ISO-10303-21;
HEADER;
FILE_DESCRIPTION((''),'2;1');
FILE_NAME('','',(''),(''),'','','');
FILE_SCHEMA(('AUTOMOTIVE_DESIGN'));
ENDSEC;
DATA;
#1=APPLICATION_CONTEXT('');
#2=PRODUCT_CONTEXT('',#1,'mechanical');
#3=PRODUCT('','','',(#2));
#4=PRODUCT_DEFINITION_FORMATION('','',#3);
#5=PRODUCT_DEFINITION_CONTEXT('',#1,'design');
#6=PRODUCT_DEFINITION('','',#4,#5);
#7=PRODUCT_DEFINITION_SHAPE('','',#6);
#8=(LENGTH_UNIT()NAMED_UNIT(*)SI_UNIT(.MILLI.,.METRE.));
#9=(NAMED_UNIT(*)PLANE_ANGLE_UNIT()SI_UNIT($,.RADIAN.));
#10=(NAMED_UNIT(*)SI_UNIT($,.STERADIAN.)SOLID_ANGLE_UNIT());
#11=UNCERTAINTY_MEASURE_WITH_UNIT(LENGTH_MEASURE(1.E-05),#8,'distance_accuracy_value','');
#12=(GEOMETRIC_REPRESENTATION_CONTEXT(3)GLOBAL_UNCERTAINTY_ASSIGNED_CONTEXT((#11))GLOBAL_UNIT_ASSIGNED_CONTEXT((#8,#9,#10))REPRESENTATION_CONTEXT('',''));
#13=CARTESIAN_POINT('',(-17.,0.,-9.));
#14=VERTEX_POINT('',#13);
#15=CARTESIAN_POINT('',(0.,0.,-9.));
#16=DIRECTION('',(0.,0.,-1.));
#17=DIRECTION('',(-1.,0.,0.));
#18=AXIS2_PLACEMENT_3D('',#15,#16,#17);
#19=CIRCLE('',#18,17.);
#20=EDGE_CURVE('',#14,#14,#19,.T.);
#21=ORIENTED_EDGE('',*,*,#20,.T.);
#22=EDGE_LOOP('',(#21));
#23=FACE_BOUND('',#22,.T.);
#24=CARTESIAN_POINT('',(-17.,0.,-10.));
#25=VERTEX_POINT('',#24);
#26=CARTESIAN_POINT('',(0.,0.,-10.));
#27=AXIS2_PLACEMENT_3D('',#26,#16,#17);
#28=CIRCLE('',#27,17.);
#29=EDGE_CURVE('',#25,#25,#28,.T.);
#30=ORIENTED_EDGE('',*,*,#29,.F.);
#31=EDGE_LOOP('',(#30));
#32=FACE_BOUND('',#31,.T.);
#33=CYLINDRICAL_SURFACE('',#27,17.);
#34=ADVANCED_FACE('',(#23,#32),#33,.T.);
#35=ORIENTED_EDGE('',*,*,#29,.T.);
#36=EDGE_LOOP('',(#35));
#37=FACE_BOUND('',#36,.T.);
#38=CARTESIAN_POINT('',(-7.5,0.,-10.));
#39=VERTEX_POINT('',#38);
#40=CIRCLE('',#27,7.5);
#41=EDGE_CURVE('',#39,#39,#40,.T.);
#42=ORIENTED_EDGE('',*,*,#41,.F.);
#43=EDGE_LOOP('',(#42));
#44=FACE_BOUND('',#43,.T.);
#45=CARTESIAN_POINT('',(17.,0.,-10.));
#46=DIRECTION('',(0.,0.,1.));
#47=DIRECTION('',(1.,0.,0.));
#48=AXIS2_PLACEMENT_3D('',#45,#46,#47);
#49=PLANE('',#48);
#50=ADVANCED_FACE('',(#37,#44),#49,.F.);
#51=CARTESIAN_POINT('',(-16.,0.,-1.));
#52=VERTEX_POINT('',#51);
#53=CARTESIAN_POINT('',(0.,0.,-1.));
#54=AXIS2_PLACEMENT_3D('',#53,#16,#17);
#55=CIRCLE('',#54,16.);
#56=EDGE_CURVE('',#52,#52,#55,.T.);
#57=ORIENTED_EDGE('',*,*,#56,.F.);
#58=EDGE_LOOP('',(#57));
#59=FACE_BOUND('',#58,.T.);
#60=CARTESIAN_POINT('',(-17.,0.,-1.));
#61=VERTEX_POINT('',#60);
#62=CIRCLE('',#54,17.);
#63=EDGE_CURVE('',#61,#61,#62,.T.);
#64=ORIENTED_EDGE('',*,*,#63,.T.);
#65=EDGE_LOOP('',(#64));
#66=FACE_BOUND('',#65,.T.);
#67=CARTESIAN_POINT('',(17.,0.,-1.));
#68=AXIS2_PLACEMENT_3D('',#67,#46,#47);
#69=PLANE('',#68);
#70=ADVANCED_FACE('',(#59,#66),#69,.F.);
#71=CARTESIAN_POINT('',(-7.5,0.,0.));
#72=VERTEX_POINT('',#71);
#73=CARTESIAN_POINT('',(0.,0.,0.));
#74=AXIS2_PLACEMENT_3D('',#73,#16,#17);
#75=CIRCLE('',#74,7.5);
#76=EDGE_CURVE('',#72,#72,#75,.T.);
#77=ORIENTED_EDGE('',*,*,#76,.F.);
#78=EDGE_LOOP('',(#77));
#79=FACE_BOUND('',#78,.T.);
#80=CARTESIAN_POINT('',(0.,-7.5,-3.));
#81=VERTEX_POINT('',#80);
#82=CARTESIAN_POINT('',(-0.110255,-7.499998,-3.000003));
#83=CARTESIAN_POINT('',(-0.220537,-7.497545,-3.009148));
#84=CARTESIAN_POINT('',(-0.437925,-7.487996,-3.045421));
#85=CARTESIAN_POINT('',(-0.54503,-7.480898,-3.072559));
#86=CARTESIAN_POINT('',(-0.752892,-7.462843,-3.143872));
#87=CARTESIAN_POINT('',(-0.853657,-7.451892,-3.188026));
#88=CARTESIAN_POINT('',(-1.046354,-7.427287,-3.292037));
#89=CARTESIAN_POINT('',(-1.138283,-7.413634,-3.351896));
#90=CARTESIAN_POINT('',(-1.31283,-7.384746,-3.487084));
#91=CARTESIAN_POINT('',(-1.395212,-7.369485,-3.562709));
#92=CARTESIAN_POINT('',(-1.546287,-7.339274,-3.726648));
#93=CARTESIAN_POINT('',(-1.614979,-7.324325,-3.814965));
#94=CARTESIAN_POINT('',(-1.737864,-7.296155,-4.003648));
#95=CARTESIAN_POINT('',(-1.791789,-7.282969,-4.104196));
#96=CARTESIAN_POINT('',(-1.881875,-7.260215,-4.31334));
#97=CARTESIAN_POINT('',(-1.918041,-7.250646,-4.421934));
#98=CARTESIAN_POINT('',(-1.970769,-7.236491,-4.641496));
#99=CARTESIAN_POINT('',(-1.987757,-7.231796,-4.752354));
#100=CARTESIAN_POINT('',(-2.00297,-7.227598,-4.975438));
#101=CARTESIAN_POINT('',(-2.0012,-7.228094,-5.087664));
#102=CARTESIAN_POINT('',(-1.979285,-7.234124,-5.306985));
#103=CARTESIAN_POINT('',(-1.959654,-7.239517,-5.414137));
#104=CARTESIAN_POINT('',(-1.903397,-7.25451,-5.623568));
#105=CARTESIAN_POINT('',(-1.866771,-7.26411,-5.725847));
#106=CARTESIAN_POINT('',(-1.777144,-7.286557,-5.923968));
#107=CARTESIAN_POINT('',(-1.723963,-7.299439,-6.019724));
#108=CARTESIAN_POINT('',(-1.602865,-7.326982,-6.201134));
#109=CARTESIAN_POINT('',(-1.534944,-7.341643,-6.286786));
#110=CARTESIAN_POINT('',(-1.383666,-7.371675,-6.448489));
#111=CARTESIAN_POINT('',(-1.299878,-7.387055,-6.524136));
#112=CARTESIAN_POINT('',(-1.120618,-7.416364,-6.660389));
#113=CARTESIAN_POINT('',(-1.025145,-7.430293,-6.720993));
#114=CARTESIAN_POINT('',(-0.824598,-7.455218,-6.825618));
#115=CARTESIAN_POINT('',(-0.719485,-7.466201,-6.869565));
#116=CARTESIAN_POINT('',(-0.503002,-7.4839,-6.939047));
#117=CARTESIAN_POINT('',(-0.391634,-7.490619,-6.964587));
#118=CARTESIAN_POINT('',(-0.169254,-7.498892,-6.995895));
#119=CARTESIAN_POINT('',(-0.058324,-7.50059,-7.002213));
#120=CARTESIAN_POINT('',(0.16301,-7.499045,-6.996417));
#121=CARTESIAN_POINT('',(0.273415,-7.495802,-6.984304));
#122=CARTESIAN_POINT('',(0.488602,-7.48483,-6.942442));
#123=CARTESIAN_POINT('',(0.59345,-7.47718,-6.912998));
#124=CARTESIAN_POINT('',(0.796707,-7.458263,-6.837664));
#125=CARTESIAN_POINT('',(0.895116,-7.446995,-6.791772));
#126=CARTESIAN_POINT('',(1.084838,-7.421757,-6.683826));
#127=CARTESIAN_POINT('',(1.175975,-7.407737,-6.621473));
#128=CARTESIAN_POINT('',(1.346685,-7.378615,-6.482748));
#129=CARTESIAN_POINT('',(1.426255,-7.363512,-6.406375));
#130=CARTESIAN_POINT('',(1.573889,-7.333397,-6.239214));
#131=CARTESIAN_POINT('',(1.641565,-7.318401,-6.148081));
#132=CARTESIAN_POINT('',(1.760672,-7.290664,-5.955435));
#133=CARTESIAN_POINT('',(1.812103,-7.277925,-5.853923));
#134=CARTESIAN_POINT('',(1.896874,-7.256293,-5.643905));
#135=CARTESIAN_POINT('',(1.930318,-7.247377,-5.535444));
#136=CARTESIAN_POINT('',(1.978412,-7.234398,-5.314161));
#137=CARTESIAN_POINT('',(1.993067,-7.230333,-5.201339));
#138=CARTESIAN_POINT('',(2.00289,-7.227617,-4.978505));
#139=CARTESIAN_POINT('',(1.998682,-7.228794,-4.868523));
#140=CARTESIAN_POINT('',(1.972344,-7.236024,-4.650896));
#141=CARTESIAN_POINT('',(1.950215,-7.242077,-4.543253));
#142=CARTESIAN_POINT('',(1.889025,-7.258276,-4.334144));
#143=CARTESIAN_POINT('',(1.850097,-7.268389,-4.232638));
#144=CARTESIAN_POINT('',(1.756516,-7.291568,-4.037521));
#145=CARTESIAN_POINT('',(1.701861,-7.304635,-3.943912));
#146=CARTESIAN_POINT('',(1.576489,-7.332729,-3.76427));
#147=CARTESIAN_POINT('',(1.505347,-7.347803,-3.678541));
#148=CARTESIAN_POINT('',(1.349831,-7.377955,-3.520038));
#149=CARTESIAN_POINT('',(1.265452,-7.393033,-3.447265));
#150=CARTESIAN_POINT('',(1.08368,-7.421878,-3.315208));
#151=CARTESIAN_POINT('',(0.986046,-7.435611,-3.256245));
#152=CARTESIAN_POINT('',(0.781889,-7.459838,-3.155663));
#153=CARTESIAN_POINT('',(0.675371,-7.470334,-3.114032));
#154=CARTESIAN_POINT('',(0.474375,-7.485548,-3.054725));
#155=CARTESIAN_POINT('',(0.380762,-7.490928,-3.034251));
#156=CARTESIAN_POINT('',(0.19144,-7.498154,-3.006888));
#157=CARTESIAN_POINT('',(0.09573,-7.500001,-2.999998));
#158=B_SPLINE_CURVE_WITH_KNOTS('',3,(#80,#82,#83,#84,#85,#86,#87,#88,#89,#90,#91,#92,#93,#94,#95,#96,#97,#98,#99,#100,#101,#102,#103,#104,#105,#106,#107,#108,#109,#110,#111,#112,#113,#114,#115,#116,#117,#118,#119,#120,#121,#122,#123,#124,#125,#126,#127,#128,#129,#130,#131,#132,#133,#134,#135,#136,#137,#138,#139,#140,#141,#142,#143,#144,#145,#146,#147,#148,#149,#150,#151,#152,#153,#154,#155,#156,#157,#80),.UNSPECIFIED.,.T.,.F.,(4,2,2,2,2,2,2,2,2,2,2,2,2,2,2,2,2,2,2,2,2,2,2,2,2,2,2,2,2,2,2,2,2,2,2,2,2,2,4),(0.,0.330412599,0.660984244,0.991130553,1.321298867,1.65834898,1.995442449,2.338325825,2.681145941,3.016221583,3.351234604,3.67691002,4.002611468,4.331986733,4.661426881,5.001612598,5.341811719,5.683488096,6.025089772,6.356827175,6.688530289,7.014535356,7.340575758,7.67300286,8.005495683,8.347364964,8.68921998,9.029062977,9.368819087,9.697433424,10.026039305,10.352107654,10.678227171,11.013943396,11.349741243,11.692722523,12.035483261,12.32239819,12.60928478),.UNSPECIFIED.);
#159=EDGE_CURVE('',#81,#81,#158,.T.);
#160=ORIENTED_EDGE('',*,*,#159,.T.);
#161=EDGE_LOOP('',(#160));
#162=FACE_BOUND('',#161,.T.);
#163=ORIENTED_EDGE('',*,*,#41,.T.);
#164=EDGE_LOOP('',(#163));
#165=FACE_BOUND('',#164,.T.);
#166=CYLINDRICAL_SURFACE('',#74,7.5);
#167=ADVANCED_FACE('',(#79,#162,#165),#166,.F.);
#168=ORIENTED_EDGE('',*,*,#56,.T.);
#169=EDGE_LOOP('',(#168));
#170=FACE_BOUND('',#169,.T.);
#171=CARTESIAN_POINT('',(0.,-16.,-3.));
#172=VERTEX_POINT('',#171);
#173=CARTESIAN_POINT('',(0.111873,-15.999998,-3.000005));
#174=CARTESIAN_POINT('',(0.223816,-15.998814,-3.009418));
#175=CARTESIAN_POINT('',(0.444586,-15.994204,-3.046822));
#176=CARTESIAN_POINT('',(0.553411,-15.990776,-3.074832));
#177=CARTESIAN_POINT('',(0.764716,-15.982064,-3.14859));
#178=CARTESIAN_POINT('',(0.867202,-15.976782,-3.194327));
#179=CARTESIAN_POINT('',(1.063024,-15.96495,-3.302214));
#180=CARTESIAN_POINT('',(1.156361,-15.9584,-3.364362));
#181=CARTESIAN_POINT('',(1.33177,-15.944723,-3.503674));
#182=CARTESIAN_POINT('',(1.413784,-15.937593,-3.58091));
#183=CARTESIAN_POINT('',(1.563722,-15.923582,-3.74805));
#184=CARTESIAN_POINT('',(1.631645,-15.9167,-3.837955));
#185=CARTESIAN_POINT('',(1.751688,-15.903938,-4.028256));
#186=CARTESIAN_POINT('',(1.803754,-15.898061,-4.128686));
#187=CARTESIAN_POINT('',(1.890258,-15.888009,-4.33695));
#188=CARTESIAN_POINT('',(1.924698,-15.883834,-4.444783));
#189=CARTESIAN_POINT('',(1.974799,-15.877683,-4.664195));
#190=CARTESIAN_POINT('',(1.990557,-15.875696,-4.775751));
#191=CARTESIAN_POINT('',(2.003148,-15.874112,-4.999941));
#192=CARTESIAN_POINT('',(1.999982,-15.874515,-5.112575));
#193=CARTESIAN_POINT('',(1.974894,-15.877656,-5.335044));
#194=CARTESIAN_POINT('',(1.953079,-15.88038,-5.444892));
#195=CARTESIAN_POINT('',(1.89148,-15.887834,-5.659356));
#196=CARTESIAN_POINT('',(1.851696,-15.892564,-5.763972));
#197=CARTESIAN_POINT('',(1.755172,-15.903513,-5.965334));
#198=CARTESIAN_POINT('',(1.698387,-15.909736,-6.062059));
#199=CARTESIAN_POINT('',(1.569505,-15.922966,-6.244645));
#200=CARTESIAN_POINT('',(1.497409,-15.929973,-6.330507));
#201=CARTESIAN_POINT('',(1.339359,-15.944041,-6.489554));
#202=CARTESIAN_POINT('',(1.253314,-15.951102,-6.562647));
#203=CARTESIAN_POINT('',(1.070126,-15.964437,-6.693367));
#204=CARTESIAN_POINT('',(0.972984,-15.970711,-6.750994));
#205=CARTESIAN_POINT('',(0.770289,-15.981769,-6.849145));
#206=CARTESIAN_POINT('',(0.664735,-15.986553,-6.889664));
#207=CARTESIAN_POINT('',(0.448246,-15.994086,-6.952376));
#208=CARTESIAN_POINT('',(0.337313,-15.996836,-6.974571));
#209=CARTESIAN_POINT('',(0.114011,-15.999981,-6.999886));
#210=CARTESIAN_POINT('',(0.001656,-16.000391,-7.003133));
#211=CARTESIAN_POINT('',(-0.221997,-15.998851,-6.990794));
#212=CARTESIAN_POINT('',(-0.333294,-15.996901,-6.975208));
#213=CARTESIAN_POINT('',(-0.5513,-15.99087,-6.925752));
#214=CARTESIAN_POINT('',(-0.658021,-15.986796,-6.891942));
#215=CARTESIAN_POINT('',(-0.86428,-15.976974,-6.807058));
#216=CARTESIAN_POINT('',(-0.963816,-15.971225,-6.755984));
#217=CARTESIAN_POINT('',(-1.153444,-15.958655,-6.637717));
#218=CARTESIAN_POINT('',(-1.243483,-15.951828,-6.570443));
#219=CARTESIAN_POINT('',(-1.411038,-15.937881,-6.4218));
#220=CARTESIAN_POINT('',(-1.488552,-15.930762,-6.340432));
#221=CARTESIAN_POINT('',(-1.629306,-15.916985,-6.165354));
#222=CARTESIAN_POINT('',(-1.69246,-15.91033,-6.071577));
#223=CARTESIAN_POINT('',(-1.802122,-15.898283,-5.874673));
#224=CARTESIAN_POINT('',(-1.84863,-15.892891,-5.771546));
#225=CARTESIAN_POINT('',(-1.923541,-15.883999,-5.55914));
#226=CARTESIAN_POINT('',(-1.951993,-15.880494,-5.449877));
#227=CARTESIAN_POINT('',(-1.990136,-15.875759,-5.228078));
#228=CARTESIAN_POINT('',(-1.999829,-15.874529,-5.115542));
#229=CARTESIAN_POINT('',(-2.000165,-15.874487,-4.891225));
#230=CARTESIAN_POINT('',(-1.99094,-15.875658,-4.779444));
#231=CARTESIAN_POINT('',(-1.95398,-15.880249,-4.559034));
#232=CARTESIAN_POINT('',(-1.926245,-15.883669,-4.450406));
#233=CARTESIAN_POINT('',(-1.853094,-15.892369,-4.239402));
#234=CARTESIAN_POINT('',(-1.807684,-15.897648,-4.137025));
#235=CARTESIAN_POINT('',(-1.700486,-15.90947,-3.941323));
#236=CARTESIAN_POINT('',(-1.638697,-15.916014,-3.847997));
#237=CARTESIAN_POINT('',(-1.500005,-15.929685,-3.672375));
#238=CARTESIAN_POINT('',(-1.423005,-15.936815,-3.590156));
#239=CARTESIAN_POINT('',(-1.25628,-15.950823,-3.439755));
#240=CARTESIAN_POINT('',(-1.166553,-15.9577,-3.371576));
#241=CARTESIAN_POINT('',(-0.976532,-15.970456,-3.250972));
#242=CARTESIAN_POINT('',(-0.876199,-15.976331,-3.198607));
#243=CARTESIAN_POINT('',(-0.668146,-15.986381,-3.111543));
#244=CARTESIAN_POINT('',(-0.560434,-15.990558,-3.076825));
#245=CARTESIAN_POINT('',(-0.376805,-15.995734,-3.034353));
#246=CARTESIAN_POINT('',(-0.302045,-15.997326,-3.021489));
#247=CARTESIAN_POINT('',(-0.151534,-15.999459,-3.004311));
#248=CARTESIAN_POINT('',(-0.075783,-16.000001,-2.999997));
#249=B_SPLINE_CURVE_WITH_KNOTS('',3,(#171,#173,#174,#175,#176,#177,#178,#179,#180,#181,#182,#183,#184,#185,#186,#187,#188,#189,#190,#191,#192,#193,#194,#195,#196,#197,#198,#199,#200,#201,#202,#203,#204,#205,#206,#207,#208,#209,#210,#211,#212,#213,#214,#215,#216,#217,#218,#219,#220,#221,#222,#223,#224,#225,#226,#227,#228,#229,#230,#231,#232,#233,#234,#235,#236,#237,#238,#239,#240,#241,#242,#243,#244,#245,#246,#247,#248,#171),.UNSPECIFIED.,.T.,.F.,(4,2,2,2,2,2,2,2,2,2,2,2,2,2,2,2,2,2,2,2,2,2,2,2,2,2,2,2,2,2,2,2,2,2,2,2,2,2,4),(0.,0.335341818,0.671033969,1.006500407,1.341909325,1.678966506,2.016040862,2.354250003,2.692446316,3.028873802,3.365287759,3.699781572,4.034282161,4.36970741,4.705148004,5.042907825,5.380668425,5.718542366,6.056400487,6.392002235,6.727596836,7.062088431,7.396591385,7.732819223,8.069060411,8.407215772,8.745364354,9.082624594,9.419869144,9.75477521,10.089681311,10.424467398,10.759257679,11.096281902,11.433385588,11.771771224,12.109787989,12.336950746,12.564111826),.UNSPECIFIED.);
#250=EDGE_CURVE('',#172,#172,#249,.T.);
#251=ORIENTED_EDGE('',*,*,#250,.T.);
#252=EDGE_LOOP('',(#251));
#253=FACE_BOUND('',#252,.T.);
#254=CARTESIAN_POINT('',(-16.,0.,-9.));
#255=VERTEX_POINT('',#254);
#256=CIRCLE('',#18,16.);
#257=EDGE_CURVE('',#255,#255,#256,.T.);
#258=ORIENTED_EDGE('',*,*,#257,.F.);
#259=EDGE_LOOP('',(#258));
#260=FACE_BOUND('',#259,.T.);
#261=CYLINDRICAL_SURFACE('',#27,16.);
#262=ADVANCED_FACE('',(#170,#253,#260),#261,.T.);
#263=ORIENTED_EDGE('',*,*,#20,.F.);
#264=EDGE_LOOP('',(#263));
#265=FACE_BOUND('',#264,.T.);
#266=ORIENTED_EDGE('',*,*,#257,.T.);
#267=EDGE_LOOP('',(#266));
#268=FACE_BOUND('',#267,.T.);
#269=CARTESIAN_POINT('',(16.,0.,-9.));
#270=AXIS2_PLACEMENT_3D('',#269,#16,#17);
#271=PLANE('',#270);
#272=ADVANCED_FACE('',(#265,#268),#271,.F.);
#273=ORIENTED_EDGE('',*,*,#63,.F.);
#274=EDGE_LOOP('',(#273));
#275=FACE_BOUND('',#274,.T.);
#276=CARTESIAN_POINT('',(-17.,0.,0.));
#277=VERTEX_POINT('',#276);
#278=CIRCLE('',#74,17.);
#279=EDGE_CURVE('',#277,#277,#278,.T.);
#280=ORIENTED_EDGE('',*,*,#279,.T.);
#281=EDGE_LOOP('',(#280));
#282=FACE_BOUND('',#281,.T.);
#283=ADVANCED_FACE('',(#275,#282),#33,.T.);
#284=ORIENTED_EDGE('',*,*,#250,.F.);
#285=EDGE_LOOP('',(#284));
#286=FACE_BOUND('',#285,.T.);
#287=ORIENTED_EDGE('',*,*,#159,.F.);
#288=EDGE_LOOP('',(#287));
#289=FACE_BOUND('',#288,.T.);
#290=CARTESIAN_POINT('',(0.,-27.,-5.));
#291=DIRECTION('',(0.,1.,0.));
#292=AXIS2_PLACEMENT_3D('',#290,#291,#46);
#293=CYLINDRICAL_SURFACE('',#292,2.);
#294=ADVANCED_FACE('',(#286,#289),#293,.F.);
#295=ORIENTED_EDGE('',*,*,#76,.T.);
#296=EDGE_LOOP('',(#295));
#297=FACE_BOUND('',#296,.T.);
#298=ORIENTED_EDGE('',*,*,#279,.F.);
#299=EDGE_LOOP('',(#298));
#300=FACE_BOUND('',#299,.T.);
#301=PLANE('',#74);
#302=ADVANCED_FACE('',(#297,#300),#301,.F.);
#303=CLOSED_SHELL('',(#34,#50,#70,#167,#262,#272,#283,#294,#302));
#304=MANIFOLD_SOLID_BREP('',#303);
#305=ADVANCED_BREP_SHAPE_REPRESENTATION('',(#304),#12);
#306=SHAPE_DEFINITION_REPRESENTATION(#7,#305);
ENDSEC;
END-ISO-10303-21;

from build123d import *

# Parameters (mm, degrees)
SKETCH2_R          = 7.5
CUT_EXTRUDE1_DEPTH = 27.038433133
SKETCH3_R          = 2
CUT_EXTRUDE2_DEPTH = 27


with BuildPart() as part:
    # Sketch1 → Revolve1 (revolve)
    with BuildSketch(Plane(origin=(0, 0, 0), x_dir=(1, 0, 0), z_dir=(0, 1, 0)), mode=Mode.PRIVATE) as revolve1_sk:
        Polygon((0, 0), (17, 0), (17, 1), (16, 1), (16, 9), (17, 9), (17, 10), (0, 10), align=None)
    revolve(revolve1_sk.sketch.rotate(Axis((0, 0, -10), (0, 0, 1)), 180), axis=Axis((0, 0, -10), (0, 0, 1)))

    # Sketch2 → Cut-Extrude1 (cut, through all)
    with BuildSketch(Plane(origin=(0, 0, -10), x_dir=(-1, 0, 0), z_dir=(0, 0, -1))):
        Circle(SKETCH2_R)
    extrude(amount=-CUT_EXTRUDE1_DEPTH, mode=Mode.SUBTRACT)

    # Sketch3 → Cut-Extrude2 (cut)
    with BuildSketch(Plane(origin=(0, 0, 0), x_dir=(1, 0, 0), z_dir=(0, 1, 0))):
        with Locations(Location((0, 5, 0), (0, 0, 270))):
            Circle(SKETCH3_R)
    extrude(amount=-CUT_EXTRUDE2_DEPTH, mode=Mode.SUBTRACT)


solid = part.part
